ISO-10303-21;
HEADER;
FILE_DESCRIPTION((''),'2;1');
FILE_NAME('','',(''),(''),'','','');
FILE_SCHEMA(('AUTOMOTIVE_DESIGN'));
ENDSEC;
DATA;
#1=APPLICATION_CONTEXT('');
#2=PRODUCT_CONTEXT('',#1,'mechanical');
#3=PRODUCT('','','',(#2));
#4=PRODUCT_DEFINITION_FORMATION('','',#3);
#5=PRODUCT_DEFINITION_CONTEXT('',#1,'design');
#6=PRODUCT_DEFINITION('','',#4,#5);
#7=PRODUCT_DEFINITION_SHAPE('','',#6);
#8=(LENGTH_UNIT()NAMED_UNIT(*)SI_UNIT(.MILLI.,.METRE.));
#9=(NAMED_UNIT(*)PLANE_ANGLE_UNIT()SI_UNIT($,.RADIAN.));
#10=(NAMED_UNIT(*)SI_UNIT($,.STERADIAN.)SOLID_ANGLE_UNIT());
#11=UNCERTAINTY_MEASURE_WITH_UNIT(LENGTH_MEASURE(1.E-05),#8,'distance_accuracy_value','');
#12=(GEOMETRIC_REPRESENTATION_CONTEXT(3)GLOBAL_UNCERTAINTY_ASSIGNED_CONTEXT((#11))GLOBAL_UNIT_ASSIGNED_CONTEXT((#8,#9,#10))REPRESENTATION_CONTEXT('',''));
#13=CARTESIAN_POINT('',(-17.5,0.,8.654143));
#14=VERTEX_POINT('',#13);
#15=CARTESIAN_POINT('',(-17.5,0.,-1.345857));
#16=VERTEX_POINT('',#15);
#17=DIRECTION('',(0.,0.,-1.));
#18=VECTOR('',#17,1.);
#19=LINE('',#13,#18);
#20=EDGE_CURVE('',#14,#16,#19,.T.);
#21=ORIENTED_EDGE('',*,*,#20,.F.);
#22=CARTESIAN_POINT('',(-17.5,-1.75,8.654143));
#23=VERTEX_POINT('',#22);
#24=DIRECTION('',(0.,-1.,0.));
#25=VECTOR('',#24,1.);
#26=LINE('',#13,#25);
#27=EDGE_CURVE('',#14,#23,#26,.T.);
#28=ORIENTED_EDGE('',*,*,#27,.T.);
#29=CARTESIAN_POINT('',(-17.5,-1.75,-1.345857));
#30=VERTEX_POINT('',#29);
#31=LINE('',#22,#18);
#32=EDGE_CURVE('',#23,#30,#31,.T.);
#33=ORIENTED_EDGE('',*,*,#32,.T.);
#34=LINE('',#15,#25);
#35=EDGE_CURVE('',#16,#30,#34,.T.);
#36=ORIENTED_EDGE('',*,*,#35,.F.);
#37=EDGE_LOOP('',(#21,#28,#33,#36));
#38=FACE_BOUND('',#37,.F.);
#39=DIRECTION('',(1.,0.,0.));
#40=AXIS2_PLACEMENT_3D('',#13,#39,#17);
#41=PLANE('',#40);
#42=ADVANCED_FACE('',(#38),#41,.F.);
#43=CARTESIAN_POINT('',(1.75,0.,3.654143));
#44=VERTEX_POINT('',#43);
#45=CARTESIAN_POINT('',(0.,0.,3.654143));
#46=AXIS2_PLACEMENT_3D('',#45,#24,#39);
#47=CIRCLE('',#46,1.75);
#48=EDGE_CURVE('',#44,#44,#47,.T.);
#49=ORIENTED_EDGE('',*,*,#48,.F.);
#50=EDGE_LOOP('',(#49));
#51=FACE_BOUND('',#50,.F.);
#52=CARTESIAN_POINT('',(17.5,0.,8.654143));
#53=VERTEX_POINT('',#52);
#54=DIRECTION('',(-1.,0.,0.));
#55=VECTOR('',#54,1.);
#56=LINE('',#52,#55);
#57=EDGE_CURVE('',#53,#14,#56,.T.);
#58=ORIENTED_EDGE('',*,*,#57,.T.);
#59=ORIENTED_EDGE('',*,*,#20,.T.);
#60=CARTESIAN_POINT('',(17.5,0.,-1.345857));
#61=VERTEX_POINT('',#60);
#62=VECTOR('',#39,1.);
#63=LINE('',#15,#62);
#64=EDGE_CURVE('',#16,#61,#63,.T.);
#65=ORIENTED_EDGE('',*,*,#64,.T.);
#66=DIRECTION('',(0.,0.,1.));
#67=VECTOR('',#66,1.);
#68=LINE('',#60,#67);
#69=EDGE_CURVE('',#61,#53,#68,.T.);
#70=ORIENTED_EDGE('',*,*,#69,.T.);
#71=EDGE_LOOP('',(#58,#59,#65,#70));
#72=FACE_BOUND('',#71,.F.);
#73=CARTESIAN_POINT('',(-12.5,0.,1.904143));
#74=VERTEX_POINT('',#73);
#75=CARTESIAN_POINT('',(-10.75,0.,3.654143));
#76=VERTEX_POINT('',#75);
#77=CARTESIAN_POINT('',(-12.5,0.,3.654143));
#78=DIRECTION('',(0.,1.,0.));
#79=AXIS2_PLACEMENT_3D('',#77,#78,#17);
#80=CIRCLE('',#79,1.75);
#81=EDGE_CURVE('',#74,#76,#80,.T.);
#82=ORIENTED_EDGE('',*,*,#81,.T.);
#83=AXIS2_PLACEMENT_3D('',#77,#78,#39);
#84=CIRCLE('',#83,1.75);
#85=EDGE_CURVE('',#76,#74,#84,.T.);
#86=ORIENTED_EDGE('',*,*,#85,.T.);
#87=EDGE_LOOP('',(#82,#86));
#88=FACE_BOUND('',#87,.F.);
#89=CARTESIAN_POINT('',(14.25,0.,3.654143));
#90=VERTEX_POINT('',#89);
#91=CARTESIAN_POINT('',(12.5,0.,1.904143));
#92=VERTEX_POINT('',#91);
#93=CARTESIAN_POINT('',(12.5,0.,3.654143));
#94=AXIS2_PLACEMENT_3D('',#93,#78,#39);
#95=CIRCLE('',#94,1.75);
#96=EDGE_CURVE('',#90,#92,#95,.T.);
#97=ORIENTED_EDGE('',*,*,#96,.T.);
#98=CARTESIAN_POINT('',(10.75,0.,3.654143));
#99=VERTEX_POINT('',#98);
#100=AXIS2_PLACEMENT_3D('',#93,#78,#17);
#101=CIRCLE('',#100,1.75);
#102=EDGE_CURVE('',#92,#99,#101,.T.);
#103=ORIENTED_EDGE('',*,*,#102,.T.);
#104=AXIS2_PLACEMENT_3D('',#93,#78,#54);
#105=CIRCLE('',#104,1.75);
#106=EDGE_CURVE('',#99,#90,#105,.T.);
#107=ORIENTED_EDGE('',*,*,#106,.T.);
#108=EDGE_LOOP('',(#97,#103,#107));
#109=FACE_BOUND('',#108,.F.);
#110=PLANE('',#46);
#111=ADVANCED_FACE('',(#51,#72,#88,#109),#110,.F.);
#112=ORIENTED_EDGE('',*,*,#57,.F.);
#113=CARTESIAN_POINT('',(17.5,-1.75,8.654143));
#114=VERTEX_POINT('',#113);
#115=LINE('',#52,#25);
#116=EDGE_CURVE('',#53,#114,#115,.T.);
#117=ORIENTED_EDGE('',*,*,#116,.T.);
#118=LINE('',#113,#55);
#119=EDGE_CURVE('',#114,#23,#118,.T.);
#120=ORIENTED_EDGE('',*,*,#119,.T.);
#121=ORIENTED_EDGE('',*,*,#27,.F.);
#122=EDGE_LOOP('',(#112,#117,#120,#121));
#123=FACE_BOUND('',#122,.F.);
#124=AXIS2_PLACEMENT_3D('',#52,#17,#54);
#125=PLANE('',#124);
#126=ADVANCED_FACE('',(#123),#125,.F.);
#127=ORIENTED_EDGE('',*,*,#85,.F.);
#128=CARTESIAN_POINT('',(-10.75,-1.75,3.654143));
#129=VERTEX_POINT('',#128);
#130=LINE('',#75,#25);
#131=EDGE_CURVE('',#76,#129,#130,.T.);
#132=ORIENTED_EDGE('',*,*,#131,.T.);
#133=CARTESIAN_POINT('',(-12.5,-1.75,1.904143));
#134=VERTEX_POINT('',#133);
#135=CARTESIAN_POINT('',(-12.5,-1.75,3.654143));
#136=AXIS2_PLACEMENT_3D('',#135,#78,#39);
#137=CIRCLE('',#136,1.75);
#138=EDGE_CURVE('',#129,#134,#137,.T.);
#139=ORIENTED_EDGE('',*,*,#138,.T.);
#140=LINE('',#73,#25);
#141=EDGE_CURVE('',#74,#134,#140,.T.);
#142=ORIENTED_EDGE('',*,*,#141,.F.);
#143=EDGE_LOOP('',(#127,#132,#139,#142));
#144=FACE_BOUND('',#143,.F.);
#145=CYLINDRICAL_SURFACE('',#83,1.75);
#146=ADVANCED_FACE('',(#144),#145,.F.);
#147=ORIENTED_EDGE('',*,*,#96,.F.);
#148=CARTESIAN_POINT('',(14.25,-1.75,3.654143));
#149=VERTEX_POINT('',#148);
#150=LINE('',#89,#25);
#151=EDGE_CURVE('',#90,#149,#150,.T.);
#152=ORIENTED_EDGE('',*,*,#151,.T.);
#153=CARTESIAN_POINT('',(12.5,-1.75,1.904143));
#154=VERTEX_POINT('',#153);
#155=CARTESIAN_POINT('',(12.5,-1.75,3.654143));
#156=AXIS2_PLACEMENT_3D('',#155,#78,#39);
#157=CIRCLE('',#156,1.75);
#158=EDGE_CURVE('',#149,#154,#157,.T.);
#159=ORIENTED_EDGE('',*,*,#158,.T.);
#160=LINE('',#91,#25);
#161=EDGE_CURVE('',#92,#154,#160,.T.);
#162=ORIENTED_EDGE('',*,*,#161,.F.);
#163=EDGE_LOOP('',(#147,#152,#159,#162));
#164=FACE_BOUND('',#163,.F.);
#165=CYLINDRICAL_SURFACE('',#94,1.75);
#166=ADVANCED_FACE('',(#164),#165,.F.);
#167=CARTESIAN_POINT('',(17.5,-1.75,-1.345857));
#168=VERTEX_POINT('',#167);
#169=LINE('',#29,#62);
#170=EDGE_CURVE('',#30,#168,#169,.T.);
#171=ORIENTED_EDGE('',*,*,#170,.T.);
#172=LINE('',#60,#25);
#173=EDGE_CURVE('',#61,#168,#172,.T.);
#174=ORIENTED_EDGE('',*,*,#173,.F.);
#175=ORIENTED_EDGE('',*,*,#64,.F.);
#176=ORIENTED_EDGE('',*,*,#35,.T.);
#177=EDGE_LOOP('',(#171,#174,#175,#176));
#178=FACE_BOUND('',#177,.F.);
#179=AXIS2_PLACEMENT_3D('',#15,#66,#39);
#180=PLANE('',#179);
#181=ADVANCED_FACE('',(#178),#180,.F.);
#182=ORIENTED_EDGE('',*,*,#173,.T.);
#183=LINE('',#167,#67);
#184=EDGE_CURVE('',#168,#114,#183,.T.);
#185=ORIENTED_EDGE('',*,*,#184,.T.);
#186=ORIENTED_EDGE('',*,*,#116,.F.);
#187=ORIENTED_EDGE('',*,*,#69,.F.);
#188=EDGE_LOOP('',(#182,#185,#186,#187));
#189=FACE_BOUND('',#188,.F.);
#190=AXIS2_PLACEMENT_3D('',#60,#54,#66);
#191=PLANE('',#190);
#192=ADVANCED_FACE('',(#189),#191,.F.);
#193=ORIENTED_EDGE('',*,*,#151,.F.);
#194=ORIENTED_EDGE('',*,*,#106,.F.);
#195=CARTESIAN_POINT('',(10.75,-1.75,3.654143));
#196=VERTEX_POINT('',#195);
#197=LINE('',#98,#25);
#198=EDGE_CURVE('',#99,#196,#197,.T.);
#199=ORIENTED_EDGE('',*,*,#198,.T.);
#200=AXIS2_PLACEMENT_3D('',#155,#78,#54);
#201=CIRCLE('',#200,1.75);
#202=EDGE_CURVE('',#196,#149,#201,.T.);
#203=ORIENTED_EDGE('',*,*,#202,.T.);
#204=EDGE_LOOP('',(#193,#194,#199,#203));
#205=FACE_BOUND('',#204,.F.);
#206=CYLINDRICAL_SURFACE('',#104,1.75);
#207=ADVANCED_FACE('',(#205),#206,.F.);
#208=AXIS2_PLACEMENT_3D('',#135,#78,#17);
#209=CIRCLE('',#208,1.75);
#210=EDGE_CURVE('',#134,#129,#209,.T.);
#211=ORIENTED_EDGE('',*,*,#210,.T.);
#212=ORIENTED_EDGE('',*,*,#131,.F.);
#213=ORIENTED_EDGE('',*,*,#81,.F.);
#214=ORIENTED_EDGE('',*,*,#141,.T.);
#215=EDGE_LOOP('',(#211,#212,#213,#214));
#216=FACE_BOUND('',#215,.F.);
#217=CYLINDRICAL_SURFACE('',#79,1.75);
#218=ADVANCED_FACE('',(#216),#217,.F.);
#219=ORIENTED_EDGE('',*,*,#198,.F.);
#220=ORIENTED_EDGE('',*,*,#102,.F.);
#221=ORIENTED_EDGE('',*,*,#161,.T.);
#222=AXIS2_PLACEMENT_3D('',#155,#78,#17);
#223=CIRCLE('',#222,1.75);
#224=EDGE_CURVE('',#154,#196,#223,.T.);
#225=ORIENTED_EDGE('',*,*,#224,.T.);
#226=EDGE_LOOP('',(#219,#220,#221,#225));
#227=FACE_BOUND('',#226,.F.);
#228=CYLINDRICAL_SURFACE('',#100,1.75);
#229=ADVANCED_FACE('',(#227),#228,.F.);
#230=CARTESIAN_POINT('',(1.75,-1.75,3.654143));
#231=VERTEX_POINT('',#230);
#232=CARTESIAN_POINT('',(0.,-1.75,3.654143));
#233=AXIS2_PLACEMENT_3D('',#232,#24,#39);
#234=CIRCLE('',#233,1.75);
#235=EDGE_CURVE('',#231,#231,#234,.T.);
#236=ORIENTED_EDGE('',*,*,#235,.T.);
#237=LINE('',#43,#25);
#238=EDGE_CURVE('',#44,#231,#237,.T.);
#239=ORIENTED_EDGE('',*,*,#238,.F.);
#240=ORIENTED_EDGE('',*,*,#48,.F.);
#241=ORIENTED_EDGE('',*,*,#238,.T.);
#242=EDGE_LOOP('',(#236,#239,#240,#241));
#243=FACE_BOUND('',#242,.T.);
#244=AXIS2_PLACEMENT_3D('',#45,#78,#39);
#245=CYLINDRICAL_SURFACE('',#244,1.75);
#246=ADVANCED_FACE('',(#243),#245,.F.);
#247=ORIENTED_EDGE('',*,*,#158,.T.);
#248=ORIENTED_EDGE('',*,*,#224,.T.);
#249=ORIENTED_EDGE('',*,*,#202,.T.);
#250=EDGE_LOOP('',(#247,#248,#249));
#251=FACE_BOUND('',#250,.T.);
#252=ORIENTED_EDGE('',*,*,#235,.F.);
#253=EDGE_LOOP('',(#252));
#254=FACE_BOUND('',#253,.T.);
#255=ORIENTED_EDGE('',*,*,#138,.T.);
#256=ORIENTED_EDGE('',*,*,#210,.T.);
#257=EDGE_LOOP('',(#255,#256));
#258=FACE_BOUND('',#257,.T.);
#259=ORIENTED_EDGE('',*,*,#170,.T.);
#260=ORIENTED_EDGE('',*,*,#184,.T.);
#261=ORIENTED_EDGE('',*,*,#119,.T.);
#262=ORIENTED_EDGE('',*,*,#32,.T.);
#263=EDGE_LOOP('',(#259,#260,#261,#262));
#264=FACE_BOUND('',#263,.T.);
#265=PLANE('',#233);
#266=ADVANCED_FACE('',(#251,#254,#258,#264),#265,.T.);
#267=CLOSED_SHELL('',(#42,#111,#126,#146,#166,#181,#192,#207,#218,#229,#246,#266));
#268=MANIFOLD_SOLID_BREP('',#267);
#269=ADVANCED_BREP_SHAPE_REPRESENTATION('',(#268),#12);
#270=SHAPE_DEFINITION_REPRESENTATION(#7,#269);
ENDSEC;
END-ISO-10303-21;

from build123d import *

# Parameters (mm, degrees)
F0_R     = 1.75
F1_DEPTH = 1.75
F2_DEPTH = 1.75


with BuildPart() as f1:
    # F0 (on Front) → F1 (new body)
    with BuildSketch(Plane.XZ):
        Polygon((17.5, 8.6541427299), (-17.5, 8.6541427299), (-17.5, -1.3458572701), (-12.5, -1.3458572701), (12.5, -1.3458572701), (17.5, -1.3458572701), align=None)
        with BuildLine():
            ThreePointArc((-10.75, 3.6541427299), (-11.2625631329, 2.4167058629), (-12.5, 1.9041427299))
            ThreePointArc((-12.5, 1.9041427299), (-13.7374368671, 4.891579597), (-10.75, 3.6541427299))
        make_face(mode=Mode.SUBTRACT)
        with Locations((0, 3.6541427299)):
            Circle(F0_R, mode=Mode.SUBTRACT)
        with BuildLine():
            ThreePointArc((14.25, 3.6541427299), (13.7374368671, 2.4167058629), (12.5, 1.9041427299))
            ThreePointArc((12.5, 1.9041427299), (11.2625631329, 2.4167058629), (10.75, 3.6541427299))
            ThreePointArc((10.75, 3.6541427299), (12.5, 5.4041427299), (14.25, 3.6541427299))
        make_face(mode=Mode.SUBTRACT)
    extrude(amount=F1_DEPTH)

    # F2 (add): a face of the model
    f2_faces = [f1.faces().sort_by_distance(p)[0] for p in [
        (17.1359945055, -1.75, 3.6541427299),
    ]]
    extrude(f2_faces, amount=-F2_DEPTH)


solid = f1.part
